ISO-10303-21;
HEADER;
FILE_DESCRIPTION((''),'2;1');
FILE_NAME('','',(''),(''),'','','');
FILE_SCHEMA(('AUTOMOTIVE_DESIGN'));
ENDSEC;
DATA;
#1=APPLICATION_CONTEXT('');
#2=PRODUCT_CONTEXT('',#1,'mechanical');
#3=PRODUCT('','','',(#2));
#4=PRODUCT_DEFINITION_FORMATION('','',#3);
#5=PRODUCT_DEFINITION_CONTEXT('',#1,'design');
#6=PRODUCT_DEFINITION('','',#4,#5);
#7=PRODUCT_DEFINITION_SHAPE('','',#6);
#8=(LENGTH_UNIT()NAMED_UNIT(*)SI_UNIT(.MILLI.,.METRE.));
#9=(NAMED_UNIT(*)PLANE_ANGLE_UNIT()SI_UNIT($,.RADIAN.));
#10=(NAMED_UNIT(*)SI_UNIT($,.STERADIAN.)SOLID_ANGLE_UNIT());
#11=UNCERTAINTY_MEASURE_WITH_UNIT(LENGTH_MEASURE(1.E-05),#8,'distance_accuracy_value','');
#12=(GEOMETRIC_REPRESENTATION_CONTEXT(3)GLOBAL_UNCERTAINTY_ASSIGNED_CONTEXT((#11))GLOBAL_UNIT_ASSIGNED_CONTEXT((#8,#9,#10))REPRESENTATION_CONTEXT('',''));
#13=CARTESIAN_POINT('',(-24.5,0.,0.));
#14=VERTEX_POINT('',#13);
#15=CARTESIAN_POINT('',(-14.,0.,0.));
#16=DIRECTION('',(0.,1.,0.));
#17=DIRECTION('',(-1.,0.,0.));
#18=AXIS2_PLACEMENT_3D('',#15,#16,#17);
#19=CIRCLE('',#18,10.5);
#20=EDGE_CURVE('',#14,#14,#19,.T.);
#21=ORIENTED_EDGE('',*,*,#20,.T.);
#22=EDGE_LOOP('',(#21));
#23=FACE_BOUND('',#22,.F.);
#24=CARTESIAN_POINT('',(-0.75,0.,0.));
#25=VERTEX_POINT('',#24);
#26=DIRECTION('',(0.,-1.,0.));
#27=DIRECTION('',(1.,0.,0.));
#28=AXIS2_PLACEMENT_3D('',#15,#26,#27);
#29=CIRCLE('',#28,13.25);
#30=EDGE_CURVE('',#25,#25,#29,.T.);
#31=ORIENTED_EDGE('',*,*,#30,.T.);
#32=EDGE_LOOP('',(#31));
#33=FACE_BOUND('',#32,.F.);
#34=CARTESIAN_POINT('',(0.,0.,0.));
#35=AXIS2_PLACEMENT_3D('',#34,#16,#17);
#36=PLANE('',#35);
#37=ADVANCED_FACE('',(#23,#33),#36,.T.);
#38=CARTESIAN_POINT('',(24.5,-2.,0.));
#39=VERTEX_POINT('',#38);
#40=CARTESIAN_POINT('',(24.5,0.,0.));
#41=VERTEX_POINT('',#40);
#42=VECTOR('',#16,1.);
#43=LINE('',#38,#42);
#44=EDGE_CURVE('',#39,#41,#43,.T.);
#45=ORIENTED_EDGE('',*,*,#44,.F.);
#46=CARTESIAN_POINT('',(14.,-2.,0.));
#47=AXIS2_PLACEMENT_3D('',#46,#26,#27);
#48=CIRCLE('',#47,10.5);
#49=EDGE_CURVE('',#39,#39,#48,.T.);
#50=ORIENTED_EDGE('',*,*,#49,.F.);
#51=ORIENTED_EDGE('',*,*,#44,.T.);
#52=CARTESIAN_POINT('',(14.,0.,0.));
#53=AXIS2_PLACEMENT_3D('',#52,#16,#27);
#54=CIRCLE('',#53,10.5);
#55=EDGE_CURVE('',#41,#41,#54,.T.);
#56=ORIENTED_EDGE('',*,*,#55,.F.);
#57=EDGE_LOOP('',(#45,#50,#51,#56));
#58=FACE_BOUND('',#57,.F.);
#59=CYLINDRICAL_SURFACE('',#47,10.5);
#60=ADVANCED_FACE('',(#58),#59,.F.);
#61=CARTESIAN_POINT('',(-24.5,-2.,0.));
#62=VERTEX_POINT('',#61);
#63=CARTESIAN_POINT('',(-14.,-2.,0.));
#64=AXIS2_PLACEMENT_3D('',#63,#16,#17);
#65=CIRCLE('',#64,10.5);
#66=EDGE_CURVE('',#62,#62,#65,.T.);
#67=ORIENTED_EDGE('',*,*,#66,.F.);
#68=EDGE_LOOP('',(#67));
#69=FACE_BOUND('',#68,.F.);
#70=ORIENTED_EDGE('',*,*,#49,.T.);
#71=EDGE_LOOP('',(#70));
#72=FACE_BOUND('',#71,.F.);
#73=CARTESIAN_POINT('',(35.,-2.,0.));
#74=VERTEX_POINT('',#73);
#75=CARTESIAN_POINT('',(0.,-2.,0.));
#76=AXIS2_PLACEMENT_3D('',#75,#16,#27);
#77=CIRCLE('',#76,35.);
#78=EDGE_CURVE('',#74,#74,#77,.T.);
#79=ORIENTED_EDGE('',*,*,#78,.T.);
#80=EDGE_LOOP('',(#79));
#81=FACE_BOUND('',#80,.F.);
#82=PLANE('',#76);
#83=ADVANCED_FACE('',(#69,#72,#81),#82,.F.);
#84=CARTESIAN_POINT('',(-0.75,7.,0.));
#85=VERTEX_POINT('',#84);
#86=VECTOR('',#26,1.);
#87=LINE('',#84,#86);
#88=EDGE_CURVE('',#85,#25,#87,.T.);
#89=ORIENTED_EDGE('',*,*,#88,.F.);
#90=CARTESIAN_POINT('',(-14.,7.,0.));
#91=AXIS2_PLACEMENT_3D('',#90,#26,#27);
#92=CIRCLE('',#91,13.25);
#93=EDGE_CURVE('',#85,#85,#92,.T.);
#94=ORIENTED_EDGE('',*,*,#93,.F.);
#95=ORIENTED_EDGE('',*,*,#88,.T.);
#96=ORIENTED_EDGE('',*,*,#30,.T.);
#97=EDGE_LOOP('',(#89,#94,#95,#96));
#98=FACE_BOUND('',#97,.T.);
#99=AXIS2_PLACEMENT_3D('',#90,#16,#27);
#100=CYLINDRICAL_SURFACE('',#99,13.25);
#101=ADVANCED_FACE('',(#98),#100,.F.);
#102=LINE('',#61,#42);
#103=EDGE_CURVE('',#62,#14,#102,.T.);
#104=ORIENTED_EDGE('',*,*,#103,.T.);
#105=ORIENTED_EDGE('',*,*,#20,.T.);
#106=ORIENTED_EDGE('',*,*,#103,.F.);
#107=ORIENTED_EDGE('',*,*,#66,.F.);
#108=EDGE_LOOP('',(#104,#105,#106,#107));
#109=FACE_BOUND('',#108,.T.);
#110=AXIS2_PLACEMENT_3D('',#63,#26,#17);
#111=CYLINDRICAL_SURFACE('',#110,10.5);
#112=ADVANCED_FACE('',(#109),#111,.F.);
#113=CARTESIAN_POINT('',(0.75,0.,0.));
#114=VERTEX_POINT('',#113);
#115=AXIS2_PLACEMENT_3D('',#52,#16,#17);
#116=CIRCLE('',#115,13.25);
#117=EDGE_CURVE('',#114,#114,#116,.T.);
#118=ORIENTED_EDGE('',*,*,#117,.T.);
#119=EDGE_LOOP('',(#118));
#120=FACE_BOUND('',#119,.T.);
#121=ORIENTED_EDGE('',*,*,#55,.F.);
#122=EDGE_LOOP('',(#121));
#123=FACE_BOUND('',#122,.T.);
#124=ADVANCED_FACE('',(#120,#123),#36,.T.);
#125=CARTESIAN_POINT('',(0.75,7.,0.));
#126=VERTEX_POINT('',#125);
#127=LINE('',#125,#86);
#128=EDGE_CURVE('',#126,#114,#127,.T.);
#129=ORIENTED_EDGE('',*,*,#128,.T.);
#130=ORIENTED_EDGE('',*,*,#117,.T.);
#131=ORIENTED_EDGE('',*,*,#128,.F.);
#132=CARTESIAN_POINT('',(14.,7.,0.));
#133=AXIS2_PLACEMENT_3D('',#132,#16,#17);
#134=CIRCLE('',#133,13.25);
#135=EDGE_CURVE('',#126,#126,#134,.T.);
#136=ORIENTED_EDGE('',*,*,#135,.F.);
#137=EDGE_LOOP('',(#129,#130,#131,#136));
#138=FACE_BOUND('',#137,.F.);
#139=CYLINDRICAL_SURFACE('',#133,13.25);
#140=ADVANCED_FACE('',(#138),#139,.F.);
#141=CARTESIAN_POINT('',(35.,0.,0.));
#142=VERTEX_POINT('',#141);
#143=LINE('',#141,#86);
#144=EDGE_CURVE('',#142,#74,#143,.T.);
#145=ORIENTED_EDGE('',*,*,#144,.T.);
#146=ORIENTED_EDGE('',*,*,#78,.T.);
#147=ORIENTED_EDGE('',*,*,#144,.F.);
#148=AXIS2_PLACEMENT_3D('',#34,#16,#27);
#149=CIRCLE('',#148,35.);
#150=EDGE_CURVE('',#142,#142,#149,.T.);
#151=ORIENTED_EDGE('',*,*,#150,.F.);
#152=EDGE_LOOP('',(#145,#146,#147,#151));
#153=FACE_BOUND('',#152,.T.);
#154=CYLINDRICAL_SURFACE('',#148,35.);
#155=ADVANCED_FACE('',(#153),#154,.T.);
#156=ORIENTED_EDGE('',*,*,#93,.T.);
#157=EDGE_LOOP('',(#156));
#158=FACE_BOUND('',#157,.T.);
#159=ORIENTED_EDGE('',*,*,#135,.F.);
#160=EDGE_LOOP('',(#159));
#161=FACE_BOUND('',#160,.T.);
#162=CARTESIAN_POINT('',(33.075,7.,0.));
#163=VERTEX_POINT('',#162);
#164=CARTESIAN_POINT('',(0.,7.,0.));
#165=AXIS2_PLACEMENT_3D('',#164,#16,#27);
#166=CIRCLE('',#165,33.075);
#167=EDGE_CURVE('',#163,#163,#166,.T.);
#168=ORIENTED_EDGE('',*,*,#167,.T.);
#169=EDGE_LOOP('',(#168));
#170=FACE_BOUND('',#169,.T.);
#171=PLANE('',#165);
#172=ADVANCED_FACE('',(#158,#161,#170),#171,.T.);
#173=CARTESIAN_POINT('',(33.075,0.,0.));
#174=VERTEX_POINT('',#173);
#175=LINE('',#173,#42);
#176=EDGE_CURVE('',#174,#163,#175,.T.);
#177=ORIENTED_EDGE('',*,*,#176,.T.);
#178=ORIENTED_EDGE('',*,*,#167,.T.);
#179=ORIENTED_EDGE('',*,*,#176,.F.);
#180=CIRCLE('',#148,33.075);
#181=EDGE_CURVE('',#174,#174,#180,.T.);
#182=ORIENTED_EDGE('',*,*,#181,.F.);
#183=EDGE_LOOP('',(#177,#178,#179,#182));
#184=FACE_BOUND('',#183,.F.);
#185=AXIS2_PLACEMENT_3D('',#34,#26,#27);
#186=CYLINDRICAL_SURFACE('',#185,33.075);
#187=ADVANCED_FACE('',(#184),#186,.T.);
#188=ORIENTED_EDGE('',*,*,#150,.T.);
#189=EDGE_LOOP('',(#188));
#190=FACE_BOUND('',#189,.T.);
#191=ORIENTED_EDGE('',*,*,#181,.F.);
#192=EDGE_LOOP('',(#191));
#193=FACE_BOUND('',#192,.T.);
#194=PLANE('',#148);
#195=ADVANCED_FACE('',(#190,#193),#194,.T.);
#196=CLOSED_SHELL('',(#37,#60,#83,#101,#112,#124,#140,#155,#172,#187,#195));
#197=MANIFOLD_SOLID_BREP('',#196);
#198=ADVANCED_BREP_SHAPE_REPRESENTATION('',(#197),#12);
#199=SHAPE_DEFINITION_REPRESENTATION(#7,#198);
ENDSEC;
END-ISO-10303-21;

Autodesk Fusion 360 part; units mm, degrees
sketch "Sketch1" plane through (0, 0, 0) normal (0, 1, 0) x (1, 0, 0)
  circle A0 centre (0, 0) radius 33.075
  circle A1 centre (0, 0) radius 35
  dimension "d1" = 66.15
  dimension "d2" = 70
extrude "Extrude1" add sketch "Sketch1" along normal blind 7 contours A0
extrude "Extrude2" add sketch "Sketch1" against normal blind 2 contours A0 | A1
sketch "Sketch4" plane through (0, -2, 0) normal (0, -1, 0) x (1, 0, 0)
  circle A0 centre (0, 0) radius 35
  circle A1 centre (14, 0) radius 10.5
  circle A2 centre (0, 0) radius 33.075
  dimension "d33" = 21
  dimension "d39" = 14
extrude "Extrude8" cut sketch "Sketch4" against normal up to surface (9 mm away) contours A1
sketch "Sketch5" plane through (0, 7, 0) normal (0, 1, 0) x (-1, 0, 0)
  circle A0 centre (-14, 0) radius 10.5
  circle A1 centre (0, 0) radius 33.075
  circle A2 centre (-14, 0) radius 13.25
  dimension "d36" = 26.5
extrude "Extrude9" cut sketch "Sketch5" against normal blind 7 contours A2
mirror "Mirror3" about plane through (0, 0, 0) normal (1, 0, 0) of "Extrude9", "Extrude8"
